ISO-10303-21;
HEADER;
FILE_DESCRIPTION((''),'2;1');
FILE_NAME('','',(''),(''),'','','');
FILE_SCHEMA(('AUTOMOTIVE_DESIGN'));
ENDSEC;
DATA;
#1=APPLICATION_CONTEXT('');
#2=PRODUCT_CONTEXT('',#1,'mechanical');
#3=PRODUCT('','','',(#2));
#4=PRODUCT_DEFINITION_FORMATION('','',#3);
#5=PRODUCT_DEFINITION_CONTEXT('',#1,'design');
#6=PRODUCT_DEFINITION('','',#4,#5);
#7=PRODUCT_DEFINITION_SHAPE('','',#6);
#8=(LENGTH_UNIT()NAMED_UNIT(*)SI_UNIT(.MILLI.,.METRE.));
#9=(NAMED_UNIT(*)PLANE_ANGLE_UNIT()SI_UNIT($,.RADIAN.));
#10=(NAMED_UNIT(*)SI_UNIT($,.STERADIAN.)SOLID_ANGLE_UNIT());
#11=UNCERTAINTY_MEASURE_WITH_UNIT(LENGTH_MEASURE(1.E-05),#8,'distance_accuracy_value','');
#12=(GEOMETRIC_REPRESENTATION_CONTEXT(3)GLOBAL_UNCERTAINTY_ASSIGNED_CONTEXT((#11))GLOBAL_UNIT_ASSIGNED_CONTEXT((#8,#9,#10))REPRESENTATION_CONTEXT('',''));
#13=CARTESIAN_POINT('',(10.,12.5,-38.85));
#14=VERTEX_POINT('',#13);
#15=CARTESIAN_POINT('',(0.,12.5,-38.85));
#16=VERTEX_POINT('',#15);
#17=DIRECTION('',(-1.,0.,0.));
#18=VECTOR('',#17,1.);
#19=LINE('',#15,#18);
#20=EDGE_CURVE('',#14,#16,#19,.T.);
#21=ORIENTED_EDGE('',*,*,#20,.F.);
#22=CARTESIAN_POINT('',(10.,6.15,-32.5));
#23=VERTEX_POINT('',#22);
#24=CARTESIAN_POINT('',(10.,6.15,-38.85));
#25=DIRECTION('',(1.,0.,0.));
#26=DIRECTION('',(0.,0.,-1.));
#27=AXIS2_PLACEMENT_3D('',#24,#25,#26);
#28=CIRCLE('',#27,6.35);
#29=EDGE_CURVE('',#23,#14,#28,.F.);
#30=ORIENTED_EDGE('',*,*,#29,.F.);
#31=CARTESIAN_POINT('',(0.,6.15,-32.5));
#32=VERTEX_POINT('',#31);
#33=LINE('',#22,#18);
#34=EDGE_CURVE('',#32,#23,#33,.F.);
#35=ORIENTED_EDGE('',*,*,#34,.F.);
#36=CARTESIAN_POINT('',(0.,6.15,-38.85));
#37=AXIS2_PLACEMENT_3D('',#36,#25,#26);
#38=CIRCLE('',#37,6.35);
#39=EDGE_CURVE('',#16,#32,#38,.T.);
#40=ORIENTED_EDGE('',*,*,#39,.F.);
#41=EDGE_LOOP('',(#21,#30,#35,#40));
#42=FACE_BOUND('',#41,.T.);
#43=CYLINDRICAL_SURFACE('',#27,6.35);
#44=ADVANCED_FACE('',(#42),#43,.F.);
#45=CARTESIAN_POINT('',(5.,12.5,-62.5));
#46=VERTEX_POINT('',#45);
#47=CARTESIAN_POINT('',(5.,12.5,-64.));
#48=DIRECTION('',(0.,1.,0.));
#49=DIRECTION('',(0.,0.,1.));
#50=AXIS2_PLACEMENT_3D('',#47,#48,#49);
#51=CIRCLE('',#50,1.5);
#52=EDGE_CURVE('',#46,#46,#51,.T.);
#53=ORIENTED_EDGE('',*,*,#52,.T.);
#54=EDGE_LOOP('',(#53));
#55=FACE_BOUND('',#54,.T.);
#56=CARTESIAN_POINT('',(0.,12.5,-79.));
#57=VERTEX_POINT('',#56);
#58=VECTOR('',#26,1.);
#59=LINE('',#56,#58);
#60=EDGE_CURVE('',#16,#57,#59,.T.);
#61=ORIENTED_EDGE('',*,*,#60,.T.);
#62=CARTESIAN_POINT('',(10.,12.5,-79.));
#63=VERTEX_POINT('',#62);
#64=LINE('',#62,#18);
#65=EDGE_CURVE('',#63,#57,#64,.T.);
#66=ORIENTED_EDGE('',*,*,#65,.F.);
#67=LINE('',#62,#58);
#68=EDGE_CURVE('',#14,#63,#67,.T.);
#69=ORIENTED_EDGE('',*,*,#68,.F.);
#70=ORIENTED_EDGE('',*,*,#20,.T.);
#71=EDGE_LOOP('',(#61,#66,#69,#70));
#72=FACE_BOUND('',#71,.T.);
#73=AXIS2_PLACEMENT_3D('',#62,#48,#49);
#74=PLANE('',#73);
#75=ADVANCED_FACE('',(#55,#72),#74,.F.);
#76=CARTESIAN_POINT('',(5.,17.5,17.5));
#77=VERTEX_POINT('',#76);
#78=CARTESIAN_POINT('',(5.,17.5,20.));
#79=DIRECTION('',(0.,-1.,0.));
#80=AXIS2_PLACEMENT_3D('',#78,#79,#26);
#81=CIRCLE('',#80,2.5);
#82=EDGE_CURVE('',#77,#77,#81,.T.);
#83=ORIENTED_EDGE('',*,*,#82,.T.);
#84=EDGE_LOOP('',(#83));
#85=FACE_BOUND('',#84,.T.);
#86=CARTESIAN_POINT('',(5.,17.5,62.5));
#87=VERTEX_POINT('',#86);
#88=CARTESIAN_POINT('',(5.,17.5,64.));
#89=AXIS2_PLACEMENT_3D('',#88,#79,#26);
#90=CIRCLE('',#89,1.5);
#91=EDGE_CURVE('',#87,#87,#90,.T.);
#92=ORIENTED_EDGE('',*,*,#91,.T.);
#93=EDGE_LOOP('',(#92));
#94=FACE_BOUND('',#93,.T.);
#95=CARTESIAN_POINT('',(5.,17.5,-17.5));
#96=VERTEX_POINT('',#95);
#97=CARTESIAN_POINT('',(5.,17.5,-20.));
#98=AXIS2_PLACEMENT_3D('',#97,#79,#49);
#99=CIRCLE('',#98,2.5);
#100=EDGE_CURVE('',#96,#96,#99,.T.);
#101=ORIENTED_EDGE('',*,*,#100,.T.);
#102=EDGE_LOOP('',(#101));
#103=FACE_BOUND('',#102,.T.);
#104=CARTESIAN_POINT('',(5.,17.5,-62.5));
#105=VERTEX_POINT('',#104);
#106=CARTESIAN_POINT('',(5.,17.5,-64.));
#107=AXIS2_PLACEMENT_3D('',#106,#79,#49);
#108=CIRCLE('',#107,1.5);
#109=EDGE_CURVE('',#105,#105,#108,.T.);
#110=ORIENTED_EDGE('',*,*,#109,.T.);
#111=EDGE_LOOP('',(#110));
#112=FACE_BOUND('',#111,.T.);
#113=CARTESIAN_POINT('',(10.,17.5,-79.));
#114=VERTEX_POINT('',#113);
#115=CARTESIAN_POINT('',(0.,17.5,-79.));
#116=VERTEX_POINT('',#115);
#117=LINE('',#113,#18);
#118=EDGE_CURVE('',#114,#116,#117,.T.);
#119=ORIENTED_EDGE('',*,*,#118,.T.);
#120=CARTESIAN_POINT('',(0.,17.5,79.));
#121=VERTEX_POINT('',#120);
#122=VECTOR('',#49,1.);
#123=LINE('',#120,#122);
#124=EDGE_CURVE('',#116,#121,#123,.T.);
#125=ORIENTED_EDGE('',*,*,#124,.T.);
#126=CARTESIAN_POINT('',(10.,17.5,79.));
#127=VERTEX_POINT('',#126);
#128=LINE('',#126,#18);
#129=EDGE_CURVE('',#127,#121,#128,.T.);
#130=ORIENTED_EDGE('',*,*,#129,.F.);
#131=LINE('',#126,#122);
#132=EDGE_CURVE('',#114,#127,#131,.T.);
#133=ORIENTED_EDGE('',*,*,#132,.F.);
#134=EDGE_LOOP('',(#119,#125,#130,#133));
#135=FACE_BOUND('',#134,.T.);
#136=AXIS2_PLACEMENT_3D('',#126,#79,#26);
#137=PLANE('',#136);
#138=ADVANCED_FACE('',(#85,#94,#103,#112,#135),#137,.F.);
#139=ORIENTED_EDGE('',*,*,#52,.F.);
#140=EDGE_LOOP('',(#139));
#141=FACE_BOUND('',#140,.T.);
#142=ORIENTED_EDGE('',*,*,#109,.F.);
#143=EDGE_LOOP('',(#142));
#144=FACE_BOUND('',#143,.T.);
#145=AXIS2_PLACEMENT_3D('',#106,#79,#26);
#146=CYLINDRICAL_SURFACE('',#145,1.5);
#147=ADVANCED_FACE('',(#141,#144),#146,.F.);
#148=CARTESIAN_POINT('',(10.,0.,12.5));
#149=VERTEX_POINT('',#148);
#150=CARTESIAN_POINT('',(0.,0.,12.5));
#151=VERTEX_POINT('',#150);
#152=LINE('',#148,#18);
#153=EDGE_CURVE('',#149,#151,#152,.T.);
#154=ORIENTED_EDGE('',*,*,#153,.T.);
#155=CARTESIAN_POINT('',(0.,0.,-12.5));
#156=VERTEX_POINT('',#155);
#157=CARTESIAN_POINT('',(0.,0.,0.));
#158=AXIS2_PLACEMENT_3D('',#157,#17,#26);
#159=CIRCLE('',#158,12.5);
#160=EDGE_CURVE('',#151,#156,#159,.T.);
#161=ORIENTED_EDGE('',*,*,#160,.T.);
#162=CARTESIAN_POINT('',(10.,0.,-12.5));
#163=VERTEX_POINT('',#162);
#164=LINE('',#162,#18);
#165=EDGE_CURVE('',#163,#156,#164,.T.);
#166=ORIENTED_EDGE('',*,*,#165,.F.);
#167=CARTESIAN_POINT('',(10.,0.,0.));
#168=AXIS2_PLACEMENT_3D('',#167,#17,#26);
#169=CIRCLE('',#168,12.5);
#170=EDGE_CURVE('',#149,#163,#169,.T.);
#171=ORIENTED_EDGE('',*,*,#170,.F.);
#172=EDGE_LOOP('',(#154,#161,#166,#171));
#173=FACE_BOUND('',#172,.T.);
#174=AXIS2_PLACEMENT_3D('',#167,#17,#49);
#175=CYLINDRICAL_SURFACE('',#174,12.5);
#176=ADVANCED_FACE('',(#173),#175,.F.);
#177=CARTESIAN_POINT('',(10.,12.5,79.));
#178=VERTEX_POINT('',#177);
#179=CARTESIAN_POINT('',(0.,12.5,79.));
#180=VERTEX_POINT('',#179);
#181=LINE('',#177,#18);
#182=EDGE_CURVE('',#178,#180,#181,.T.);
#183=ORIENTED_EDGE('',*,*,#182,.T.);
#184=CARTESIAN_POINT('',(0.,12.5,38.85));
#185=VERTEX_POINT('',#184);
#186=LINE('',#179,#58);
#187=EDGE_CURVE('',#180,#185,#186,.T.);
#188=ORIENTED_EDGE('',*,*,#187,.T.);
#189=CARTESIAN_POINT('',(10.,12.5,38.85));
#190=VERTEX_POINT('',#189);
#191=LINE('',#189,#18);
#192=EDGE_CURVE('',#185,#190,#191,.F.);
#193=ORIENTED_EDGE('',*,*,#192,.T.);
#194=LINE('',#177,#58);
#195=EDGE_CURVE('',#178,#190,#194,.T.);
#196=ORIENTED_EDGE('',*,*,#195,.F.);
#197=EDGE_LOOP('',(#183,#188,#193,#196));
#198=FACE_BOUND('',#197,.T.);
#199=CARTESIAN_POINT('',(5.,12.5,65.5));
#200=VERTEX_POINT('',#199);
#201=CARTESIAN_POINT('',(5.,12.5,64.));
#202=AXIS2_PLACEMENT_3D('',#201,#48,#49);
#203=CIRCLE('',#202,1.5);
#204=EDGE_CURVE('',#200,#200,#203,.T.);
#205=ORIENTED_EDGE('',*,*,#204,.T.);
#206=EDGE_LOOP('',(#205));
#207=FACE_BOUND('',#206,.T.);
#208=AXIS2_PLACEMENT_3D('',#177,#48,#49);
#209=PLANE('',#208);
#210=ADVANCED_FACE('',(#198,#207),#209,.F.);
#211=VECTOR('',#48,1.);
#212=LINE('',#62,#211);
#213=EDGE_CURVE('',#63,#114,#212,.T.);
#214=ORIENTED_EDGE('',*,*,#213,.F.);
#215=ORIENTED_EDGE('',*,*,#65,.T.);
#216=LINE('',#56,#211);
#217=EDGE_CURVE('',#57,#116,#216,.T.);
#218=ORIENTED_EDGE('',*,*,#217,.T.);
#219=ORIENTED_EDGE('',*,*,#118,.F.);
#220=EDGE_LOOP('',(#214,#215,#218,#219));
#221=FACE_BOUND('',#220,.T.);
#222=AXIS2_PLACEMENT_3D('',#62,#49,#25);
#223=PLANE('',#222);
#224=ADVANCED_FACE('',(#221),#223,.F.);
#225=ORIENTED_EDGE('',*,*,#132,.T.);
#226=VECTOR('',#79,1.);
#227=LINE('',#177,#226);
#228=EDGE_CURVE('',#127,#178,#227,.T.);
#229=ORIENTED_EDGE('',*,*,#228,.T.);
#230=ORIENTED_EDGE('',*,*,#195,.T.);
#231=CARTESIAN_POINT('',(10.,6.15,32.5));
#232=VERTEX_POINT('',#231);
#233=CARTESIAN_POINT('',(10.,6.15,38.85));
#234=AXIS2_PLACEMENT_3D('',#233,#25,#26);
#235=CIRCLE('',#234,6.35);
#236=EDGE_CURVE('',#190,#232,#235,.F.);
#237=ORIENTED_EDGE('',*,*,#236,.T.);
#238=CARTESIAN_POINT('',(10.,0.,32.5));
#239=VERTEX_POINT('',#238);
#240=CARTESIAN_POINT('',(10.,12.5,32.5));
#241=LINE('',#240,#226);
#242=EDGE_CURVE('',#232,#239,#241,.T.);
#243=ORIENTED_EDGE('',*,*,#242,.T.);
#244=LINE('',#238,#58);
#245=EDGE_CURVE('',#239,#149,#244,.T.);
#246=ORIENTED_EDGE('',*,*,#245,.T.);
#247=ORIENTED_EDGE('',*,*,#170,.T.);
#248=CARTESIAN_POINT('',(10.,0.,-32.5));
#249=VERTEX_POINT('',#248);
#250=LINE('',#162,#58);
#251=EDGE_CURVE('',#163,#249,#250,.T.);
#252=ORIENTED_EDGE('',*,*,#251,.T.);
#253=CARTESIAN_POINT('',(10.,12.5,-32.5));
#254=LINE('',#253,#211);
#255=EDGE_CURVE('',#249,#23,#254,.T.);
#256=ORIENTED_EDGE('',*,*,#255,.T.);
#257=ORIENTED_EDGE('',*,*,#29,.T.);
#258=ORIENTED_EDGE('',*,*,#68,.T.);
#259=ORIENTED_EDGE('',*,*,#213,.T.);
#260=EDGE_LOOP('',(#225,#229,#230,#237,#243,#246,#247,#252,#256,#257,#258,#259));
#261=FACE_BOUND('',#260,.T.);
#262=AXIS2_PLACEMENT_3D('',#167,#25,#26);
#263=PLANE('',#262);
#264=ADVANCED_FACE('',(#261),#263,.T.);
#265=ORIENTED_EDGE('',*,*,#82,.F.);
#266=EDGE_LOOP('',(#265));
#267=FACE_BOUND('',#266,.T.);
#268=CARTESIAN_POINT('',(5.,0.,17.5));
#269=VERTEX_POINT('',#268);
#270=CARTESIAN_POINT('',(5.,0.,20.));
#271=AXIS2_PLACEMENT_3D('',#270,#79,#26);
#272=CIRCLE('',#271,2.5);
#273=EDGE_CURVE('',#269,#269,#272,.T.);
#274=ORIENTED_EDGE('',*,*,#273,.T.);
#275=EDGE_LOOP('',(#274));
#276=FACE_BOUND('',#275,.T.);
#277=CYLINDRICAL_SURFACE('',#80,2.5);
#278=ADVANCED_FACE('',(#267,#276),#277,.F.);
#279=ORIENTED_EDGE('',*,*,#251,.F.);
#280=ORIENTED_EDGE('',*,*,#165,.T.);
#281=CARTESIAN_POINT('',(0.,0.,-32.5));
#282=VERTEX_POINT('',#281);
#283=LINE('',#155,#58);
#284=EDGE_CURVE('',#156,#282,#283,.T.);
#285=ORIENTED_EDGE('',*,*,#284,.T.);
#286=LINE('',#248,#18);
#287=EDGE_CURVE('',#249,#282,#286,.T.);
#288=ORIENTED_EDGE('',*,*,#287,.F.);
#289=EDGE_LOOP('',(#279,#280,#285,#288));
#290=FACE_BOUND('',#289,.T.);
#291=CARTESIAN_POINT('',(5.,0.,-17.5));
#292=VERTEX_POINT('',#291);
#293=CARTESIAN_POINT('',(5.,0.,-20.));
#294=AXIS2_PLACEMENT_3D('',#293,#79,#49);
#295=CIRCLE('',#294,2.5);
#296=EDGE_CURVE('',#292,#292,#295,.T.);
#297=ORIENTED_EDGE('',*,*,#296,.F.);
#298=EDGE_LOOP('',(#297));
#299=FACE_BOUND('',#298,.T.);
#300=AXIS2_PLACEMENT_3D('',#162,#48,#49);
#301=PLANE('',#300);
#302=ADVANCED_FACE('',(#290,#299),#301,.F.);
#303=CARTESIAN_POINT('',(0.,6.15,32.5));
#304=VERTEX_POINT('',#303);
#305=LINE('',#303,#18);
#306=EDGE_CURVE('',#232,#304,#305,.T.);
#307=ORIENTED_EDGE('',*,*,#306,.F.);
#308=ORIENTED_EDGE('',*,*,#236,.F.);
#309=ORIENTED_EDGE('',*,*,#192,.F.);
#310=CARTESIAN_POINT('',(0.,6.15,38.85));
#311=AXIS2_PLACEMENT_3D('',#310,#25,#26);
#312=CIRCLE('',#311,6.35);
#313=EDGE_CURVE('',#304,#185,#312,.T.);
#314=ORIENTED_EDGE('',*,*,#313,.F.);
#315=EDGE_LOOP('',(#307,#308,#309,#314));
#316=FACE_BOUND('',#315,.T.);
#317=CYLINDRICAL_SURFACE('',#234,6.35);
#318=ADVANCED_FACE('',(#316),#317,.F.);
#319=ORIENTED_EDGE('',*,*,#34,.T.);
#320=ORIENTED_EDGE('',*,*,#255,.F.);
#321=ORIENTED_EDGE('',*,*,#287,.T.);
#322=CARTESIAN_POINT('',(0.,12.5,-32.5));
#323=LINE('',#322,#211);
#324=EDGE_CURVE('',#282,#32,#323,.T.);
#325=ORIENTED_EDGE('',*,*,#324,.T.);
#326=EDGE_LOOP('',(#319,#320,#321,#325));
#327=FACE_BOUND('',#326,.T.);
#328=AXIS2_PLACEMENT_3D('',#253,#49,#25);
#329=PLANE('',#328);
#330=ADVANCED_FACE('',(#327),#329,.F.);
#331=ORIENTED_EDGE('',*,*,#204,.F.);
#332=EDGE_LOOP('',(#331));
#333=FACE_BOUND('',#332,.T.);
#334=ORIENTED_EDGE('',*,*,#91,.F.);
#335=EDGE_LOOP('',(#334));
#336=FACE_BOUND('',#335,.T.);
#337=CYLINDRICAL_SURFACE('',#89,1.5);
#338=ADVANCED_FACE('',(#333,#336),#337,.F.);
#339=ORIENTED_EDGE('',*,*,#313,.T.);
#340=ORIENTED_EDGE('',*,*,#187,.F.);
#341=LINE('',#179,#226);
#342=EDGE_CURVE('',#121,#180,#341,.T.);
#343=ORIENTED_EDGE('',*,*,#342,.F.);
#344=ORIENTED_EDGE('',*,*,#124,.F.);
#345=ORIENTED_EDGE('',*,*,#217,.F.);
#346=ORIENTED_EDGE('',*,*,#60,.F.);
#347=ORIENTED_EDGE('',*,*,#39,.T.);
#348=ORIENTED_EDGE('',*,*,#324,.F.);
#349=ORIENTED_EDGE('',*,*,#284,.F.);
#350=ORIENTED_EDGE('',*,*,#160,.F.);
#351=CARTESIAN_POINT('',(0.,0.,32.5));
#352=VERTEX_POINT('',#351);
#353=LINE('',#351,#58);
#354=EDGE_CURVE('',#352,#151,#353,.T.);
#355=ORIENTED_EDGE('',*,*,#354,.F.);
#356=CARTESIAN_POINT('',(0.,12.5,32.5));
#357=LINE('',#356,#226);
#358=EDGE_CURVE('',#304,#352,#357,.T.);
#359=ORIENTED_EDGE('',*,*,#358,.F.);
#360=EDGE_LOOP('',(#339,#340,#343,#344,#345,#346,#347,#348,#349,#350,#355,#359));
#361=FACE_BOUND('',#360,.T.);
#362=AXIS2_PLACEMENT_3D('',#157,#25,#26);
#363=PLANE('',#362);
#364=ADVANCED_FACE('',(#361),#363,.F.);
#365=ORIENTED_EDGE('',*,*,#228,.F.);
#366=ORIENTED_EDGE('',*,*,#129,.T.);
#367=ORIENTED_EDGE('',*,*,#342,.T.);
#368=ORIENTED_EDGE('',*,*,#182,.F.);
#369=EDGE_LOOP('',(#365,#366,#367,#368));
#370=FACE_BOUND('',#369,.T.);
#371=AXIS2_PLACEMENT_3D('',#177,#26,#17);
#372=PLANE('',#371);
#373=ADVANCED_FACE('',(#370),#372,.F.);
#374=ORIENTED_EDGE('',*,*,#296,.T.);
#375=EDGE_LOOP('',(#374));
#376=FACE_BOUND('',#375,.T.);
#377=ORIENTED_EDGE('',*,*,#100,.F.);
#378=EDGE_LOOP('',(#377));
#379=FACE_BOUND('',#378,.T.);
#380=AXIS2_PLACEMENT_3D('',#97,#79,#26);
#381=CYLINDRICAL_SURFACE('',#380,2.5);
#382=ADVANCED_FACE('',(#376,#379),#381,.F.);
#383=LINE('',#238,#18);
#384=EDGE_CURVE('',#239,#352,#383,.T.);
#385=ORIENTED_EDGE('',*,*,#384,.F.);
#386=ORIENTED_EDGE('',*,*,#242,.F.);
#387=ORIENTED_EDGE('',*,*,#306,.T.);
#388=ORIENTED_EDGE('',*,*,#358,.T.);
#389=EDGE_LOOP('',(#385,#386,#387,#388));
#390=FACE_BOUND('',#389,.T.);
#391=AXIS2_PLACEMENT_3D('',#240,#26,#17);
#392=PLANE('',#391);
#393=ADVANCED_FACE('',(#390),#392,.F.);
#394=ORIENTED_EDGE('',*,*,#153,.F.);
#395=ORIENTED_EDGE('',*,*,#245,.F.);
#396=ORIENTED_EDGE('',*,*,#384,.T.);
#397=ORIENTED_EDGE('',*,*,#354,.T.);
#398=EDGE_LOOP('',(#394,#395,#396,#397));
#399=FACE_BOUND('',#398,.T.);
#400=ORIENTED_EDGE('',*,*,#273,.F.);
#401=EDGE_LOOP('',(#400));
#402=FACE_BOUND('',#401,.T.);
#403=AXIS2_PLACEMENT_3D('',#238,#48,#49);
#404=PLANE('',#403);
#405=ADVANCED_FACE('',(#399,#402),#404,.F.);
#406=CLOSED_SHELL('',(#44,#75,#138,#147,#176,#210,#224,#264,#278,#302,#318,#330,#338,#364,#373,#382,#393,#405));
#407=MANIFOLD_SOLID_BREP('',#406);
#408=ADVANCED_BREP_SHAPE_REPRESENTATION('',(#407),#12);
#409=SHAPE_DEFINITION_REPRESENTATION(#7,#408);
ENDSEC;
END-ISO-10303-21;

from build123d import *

# Parameters (mm, degrees)
BOSS_EXTRUDE1_DEPTH     = 10
CUT_EXTRUDE1_DEPTH      = 81.605520903
CUT_EXTRUDE1_DEPTH_BACK = 81.605520903
SKETCH2_R               = 1.5
SKETCH2_R_2             = 2.5
FILLET1_R               = 6.35


with BuildPart() as part:
    # Sketch1 → Boss-Extrude1 (new body)
    with BuildSketch(Plane(origin=(0, 0, 0), x_dir=(0, 0, -1), z_dir=(1, 0, 0))):
        with BuildLine():
            Line((-79, 12.5), (-32.5, 12.5))
            Line((-32.5, 12.5), (-32.5, 0))
            Line((-32.5, 0), (-12.5, 0))
            ThreePointArc((-12.5, 0), (0, 12.5), (12.5, 0))
            Line((12.5, 0), (32.5, 0))
            Line((32.5, 0), (32.5, 12.5))
            Line((32.5, 12.5), (79, 12.5))
            Line((79, 12.5), (79, 17.5))
            Line((79, 17.5), (-79, 17.5))
            Line((-79, 17.5), (-79, 12.5))
        make_face()
    extrude(amount=BOSS_EXTRUDE1_DEPTH)

    # Sketch2 → Cut-Extrude1 (cut, two sides: drawn at the far end of the back side and taken through both)
    with BuildSketch(Plane.XZ.offset(-12.5).offset(-CUT_EXTRUDE1_DEPTH_BACK)):
        with Locations(Location((5, 64, 0), (0, 0, 270))):
            Circle(SKETCH2_R)
        with Locations(Location((5, -64, 0), (0, 0, 90))):
            Circle(SKETCH2_R)
        with Locations(Location((5, 20, 0), (0, 0, 270))):
            Circle(SKETCH2_R_2)
        with Locations(Location((5, -20, 0), (0, 0, 90))):
            Circle(SKETCH2_R_2)
    extrude(amount=CUT_EXTRUDE1_DEPTH + CUT_EXTRUDE1_DEPTH_BACK, mode=Mode.SUBTRACT)

    # Fillet1
    fillet1_edges = [part.edges().sort_by_distance(p)[0] for p in [
        (5, 12.5, 32.5),
        (5, 12.5, -32.5),
    ]]
    fillet(fillet1_edges, radius=FILLET1_R)


solid = part.part
